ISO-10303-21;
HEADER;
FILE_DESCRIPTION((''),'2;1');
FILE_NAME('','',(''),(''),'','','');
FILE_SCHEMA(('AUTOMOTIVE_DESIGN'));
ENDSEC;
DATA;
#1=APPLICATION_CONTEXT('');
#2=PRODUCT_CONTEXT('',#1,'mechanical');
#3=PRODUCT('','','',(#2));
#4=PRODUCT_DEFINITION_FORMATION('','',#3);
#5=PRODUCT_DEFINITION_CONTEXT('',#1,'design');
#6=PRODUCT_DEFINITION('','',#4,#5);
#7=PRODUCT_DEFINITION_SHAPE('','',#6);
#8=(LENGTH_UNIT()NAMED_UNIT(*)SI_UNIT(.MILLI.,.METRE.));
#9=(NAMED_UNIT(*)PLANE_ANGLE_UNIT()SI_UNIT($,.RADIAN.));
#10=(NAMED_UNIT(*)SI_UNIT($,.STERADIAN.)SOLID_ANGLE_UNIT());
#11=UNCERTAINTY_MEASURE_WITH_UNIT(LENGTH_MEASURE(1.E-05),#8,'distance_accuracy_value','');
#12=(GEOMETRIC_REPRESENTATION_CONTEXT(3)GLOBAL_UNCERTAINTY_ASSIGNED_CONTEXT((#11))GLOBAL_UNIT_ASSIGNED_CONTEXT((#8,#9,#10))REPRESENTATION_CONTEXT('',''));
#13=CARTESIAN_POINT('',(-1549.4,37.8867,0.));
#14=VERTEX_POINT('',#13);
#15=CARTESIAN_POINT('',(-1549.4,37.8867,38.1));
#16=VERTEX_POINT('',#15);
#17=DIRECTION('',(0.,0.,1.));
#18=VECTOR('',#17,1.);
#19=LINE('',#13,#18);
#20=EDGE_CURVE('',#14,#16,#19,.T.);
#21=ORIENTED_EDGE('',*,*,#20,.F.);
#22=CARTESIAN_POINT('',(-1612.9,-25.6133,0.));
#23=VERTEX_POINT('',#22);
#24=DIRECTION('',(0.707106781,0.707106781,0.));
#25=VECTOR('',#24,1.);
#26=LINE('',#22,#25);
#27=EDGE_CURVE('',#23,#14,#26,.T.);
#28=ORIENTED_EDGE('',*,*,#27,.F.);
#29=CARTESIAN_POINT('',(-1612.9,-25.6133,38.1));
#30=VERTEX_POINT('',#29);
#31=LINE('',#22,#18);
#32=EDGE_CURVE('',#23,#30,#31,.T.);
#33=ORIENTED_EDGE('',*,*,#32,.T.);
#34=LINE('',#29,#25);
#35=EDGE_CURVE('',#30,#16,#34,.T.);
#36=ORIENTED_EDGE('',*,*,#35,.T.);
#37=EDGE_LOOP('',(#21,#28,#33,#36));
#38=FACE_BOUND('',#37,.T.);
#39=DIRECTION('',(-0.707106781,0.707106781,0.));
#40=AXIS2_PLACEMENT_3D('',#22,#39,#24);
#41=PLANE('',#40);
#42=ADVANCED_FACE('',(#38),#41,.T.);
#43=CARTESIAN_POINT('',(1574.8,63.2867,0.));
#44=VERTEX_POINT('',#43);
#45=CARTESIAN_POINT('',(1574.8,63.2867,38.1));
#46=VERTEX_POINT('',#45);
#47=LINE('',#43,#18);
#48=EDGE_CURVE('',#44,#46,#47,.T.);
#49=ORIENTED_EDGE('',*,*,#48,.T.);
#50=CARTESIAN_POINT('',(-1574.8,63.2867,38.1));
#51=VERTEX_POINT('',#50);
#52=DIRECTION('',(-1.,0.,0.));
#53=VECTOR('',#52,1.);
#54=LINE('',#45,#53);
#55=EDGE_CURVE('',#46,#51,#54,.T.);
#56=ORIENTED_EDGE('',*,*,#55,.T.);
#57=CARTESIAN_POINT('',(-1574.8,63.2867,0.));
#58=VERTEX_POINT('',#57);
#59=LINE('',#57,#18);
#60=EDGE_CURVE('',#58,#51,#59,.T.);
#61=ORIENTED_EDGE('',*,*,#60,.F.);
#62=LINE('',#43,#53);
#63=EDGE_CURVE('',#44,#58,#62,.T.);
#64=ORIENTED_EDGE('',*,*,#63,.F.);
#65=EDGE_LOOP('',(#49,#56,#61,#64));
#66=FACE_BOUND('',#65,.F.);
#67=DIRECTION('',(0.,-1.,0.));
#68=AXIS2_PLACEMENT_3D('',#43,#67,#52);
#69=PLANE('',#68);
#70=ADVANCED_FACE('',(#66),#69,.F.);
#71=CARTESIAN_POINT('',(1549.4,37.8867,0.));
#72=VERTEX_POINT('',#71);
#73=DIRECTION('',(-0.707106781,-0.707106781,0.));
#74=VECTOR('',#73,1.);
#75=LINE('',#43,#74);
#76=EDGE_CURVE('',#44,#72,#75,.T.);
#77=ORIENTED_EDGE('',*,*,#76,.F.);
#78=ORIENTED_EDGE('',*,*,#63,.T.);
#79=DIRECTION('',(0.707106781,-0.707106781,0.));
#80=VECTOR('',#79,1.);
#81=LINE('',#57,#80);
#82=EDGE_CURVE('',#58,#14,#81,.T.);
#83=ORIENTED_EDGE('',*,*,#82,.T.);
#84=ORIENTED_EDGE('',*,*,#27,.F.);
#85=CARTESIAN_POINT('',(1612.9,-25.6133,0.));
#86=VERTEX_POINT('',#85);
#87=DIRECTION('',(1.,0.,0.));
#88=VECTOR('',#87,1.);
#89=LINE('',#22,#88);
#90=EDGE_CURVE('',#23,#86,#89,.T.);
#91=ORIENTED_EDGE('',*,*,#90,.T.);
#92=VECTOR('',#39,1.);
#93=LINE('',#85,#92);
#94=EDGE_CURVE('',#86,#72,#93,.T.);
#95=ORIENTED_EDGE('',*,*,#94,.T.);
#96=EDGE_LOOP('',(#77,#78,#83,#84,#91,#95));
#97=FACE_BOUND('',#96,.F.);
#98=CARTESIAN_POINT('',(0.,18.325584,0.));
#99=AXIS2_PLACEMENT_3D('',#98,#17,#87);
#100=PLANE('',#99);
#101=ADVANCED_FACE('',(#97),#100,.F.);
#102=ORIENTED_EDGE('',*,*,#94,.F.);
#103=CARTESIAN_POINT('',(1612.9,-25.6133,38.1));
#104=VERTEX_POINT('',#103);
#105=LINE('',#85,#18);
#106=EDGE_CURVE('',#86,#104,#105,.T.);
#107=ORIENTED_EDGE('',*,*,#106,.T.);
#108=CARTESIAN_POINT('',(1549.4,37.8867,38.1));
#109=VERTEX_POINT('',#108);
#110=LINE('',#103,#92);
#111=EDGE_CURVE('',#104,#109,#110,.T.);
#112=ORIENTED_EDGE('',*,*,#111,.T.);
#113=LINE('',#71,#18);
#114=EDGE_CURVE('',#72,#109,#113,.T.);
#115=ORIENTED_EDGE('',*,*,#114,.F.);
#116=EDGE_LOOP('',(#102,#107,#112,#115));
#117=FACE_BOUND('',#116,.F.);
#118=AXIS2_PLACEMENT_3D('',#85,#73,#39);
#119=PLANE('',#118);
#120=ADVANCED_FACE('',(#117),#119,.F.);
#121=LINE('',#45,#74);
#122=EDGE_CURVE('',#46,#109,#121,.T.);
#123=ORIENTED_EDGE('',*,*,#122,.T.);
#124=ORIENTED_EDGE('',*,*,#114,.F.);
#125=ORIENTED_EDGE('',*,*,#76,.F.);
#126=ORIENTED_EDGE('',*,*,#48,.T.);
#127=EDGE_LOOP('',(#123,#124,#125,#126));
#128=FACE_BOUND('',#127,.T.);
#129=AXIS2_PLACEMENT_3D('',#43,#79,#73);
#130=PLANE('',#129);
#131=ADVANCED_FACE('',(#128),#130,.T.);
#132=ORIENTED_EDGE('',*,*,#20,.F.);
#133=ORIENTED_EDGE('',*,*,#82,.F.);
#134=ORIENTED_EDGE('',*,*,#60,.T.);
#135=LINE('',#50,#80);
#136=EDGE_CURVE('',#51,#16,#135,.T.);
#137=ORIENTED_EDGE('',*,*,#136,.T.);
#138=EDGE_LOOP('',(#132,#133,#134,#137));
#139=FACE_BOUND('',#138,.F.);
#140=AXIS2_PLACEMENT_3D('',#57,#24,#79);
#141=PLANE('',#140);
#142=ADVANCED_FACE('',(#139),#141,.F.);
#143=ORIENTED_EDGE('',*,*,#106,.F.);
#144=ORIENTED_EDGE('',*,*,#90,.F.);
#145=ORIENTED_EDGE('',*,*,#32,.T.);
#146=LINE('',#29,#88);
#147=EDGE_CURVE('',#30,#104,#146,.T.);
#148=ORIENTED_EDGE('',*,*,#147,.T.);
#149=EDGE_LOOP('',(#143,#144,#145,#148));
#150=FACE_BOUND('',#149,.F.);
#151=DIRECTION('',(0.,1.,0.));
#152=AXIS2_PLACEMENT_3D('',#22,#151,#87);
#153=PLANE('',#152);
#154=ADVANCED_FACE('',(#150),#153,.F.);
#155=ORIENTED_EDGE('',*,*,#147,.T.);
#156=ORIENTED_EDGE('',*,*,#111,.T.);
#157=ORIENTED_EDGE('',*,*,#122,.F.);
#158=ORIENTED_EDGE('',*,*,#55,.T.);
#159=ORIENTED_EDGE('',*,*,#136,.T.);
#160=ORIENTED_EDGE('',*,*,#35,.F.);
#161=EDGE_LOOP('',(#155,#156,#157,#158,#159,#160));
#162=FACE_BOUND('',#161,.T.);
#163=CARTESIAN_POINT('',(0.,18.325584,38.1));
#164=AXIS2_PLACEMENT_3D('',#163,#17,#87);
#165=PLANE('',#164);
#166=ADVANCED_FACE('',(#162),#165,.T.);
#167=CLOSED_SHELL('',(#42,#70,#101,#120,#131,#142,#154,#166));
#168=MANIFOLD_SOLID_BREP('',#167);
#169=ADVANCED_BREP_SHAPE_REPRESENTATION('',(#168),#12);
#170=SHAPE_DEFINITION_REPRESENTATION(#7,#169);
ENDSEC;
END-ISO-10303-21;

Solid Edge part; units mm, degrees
sketch "Sketch1" plane through (0, 0, 0) normal (0, 0, 1) x (1, 0, 0)
  line L0 (-1612.9, -25.6133) -> (1612.9, -25.6133)
  line L1 (1612.9, -25.6133) -> (1549.4, 37.8867)
  line L2 (1574.8, 63.2867) -> (1549.4, 37.8867)
  line L3 (1574.8, 63.2867) -> (-1574.8, 63.2867)
  line L4 (-1574.8, 63.2867) -> (-1549.4, 37.8867)
  line L5 (-1612.9, -25.6133) -> (-1549.4, 37.8867)
  dimension "D1" = 88.9
  dimension "D2" = 3149.6
  dimension "D3" = 3225.8
extrude "Protrusion1" add sketch "Sketch1" along normal blind 38.1
properties material "Wood, Pine"
